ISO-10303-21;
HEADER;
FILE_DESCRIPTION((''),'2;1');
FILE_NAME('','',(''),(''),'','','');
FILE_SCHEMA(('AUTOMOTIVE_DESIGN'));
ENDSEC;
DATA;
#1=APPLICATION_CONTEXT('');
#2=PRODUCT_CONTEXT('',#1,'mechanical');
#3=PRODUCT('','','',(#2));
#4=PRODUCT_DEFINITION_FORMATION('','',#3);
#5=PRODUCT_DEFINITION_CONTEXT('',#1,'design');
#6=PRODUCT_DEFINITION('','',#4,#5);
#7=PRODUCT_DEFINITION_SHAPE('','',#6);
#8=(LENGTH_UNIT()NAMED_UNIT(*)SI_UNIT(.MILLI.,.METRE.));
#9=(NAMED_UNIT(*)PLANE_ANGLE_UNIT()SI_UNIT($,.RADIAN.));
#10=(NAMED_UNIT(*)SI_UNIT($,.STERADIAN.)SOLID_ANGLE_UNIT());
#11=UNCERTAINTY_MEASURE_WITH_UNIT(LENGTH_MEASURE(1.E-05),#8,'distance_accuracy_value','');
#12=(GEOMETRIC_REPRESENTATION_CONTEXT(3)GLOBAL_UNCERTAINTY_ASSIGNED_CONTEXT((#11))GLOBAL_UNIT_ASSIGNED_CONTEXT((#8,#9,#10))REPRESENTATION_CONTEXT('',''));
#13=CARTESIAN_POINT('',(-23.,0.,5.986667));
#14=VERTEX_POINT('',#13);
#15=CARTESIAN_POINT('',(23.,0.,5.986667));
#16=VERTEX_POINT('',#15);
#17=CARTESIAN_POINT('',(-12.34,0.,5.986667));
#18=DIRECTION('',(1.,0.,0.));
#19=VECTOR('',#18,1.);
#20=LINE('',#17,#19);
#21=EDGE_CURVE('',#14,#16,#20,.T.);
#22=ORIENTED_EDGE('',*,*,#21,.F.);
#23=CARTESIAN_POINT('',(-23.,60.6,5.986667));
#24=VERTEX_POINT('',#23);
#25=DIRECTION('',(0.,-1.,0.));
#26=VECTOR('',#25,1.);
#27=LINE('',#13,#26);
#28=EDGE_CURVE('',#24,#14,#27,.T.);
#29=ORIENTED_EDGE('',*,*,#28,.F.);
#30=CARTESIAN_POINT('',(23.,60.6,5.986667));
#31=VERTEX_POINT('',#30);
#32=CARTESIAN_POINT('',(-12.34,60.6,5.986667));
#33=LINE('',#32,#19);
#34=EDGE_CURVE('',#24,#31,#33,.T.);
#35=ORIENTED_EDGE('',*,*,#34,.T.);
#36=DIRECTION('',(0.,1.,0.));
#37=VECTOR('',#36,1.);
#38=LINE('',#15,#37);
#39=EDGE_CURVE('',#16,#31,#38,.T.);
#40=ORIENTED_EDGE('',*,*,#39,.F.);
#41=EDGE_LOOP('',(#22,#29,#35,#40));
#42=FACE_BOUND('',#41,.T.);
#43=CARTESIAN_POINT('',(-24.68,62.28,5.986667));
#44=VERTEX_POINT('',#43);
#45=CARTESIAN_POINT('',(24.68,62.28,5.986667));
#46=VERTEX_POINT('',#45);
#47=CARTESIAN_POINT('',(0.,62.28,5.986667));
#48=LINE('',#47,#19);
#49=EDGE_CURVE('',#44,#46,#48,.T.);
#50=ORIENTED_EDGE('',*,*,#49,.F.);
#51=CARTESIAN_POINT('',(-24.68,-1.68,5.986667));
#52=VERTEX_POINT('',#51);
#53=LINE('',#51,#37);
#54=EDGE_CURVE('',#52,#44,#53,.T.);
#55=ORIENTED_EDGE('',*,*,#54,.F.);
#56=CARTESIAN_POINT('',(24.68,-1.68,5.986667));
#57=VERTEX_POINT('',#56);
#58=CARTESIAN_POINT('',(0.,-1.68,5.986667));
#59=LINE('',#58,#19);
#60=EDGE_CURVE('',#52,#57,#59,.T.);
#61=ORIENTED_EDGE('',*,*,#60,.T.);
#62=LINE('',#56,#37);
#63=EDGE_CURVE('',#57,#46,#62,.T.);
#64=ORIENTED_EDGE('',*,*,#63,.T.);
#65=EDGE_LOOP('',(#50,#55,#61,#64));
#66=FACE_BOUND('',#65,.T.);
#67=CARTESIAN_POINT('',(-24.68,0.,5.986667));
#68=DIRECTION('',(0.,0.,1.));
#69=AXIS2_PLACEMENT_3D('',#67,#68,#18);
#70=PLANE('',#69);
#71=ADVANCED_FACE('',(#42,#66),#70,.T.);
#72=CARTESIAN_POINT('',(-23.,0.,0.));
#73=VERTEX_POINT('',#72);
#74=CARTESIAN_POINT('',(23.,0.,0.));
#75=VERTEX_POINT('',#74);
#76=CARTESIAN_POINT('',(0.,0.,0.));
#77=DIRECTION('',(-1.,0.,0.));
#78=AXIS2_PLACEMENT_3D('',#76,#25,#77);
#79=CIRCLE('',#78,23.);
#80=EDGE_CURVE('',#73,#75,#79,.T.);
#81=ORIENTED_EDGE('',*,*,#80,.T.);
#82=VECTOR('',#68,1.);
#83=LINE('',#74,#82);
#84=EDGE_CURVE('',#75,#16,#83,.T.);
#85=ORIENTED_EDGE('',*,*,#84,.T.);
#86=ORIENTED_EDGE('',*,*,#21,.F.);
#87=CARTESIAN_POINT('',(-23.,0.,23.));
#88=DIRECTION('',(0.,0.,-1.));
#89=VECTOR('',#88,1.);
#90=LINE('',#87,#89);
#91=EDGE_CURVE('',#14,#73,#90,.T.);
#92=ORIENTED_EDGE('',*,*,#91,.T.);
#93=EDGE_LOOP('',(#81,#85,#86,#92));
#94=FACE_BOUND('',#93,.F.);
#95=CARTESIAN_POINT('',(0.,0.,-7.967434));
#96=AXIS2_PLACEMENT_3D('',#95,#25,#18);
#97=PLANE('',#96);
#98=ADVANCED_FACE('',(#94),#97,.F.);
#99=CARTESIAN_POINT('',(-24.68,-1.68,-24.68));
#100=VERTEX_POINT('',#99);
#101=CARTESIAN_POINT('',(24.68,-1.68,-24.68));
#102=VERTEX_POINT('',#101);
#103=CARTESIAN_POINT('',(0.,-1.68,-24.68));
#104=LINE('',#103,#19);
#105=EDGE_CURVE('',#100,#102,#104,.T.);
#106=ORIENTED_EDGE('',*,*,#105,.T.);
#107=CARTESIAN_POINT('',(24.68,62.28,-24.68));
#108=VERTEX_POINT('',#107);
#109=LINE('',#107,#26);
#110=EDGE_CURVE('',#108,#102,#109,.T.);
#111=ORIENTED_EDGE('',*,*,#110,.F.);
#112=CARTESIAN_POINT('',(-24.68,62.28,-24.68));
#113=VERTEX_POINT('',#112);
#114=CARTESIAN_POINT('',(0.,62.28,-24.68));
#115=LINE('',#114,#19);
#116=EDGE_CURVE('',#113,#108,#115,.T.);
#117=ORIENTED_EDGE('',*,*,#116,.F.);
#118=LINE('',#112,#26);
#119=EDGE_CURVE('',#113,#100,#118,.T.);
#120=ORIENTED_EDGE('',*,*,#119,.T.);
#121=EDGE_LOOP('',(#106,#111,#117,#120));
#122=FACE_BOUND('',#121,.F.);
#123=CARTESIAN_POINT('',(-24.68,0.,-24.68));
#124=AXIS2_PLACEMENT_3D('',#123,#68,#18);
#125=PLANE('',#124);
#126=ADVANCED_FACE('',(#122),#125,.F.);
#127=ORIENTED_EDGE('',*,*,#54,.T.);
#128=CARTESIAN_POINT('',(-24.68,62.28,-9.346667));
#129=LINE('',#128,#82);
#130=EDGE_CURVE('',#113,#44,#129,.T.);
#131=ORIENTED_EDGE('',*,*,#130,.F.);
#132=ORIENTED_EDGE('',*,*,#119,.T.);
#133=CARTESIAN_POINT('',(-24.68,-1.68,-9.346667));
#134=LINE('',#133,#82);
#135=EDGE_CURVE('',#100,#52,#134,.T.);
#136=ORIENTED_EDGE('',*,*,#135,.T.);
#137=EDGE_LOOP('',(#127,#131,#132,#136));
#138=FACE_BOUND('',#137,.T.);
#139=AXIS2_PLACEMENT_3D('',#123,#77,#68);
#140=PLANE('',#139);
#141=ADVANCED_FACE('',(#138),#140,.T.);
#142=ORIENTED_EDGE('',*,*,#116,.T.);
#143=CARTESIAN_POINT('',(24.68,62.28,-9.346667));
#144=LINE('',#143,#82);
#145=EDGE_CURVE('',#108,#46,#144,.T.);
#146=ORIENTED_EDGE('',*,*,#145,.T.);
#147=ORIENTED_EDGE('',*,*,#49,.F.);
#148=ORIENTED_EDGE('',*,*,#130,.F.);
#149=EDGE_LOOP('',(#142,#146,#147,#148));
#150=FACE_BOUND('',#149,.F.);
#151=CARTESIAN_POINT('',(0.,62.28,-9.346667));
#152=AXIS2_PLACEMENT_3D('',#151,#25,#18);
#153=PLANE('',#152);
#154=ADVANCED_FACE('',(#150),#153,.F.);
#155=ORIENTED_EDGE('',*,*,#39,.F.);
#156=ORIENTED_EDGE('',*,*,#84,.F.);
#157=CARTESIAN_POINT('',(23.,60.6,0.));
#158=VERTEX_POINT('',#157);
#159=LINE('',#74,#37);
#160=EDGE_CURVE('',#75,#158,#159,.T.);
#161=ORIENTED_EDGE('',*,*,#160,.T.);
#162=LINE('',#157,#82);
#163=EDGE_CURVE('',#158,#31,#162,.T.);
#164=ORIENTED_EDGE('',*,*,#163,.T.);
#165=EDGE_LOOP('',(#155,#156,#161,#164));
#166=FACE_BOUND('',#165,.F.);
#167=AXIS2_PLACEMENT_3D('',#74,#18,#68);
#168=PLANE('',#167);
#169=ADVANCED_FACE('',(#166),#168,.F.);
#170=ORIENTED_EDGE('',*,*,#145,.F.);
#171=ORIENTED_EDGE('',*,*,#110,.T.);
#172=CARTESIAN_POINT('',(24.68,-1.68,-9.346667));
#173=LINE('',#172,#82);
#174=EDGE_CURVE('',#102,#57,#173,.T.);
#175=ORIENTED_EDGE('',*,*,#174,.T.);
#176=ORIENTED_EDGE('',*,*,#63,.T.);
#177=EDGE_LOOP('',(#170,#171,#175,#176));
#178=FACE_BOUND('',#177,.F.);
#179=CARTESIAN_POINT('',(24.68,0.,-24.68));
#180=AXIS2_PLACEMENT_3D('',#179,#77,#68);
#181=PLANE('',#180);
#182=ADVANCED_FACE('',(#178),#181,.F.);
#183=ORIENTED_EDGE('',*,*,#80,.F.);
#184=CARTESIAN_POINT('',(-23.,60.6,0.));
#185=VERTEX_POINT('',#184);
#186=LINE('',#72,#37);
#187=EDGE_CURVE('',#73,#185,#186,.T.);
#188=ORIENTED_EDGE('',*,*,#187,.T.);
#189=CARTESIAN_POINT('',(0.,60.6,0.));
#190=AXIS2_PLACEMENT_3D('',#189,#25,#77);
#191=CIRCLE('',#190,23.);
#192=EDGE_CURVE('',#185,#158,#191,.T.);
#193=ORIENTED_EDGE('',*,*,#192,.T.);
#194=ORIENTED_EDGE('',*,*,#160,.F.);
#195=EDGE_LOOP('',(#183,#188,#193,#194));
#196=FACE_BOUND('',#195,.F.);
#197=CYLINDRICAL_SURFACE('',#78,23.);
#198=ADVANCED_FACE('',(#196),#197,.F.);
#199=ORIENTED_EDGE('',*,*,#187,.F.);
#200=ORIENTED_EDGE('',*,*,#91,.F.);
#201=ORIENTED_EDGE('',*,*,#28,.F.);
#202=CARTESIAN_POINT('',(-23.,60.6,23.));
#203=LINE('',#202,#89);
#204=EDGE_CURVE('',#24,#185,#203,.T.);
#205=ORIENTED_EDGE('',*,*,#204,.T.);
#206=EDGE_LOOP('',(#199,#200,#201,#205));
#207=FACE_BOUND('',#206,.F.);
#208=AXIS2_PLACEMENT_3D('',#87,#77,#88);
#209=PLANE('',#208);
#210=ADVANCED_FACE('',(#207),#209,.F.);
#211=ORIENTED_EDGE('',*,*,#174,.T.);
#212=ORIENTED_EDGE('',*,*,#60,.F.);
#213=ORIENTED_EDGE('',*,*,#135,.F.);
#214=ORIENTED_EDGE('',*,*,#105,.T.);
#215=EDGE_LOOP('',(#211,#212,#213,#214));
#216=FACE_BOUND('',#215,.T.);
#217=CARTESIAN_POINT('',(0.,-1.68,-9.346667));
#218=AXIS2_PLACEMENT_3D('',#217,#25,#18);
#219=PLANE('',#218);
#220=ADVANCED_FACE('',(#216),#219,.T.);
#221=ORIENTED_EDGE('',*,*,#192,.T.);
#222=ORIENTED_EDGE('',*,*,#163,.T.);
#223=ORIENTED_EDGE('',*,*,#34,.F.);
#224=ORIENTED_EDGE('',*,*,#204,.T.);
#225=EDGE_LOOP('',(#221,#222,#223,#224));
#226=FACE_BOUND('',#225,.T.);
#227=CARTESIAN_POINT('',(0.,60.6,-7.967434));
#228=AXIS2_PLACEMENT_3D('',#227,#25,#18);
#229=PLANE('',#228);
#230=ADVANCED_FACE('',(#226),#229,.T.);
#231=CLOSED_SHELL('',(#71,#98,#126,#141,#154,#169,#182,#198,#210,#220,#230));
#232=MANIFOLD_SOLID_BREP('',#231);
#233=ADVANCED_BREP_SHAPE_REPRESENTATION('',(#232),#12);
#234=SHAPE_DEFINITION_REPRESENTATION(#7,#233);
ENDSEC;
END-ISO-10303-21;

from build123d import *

# Parameters (mm, degrees)
F2_W          = 49.36
F2_H          = 30.6666666667
F4_DEPTH      = 62.28
F4_DEPTH_BACK = 1.68
F5_DEPTH      = 60.6


with BuildPart() as f4:
    # F2 (on Front) → F4 (new body, two sides)
    with BuildSketch(Plane.XZ) as f4_sk:
        with Locations((0, -9.3466666667)):
            Rectangle(F2_W, F2_H)
    extrude(amount=-F4_DEPTH)
    extrude(f4_sk.sketch, amount=F4_DEPTH_BACK)

    # F3 (on Front) → F5 (cut)
    with BuildSketch(Plane.XZ):
        with BuildLine():
            Line((23, 0), (-23, 0))
            ThreePointArc((-23, 0), (0, -23), (23, 0))
        make_face()
        with BuildLine():
            Line((-23, 23), (-23, 0))
            ThreePointArc((-23, 0), (-16.2634559673, 16.2634559673), (0, 23))
            Line((0, 23), (-23, 23))
        make_face()
        with BuildLine():
            ThreePointArc((0, 23), (-16.2634559673, 16.2634559673), (-23, 0))
            Line((-23, 0), (23, 0))
            ThreePointArc((23, 0), (16.2634559673, 16.2634559673), (0, 23))
        make_face()
        with BuildLine():
            ThreePointArc((0, 23), (16.2634559673, 16.2634559673), (23, 0))
            Line((23, 0), (23, 23))
            Line((23, 23), (0, 23))
        make_face()
    extrude(amount=-F5_DEPTH, mode=Mode.SUBTRACT)


solid = f4.part
